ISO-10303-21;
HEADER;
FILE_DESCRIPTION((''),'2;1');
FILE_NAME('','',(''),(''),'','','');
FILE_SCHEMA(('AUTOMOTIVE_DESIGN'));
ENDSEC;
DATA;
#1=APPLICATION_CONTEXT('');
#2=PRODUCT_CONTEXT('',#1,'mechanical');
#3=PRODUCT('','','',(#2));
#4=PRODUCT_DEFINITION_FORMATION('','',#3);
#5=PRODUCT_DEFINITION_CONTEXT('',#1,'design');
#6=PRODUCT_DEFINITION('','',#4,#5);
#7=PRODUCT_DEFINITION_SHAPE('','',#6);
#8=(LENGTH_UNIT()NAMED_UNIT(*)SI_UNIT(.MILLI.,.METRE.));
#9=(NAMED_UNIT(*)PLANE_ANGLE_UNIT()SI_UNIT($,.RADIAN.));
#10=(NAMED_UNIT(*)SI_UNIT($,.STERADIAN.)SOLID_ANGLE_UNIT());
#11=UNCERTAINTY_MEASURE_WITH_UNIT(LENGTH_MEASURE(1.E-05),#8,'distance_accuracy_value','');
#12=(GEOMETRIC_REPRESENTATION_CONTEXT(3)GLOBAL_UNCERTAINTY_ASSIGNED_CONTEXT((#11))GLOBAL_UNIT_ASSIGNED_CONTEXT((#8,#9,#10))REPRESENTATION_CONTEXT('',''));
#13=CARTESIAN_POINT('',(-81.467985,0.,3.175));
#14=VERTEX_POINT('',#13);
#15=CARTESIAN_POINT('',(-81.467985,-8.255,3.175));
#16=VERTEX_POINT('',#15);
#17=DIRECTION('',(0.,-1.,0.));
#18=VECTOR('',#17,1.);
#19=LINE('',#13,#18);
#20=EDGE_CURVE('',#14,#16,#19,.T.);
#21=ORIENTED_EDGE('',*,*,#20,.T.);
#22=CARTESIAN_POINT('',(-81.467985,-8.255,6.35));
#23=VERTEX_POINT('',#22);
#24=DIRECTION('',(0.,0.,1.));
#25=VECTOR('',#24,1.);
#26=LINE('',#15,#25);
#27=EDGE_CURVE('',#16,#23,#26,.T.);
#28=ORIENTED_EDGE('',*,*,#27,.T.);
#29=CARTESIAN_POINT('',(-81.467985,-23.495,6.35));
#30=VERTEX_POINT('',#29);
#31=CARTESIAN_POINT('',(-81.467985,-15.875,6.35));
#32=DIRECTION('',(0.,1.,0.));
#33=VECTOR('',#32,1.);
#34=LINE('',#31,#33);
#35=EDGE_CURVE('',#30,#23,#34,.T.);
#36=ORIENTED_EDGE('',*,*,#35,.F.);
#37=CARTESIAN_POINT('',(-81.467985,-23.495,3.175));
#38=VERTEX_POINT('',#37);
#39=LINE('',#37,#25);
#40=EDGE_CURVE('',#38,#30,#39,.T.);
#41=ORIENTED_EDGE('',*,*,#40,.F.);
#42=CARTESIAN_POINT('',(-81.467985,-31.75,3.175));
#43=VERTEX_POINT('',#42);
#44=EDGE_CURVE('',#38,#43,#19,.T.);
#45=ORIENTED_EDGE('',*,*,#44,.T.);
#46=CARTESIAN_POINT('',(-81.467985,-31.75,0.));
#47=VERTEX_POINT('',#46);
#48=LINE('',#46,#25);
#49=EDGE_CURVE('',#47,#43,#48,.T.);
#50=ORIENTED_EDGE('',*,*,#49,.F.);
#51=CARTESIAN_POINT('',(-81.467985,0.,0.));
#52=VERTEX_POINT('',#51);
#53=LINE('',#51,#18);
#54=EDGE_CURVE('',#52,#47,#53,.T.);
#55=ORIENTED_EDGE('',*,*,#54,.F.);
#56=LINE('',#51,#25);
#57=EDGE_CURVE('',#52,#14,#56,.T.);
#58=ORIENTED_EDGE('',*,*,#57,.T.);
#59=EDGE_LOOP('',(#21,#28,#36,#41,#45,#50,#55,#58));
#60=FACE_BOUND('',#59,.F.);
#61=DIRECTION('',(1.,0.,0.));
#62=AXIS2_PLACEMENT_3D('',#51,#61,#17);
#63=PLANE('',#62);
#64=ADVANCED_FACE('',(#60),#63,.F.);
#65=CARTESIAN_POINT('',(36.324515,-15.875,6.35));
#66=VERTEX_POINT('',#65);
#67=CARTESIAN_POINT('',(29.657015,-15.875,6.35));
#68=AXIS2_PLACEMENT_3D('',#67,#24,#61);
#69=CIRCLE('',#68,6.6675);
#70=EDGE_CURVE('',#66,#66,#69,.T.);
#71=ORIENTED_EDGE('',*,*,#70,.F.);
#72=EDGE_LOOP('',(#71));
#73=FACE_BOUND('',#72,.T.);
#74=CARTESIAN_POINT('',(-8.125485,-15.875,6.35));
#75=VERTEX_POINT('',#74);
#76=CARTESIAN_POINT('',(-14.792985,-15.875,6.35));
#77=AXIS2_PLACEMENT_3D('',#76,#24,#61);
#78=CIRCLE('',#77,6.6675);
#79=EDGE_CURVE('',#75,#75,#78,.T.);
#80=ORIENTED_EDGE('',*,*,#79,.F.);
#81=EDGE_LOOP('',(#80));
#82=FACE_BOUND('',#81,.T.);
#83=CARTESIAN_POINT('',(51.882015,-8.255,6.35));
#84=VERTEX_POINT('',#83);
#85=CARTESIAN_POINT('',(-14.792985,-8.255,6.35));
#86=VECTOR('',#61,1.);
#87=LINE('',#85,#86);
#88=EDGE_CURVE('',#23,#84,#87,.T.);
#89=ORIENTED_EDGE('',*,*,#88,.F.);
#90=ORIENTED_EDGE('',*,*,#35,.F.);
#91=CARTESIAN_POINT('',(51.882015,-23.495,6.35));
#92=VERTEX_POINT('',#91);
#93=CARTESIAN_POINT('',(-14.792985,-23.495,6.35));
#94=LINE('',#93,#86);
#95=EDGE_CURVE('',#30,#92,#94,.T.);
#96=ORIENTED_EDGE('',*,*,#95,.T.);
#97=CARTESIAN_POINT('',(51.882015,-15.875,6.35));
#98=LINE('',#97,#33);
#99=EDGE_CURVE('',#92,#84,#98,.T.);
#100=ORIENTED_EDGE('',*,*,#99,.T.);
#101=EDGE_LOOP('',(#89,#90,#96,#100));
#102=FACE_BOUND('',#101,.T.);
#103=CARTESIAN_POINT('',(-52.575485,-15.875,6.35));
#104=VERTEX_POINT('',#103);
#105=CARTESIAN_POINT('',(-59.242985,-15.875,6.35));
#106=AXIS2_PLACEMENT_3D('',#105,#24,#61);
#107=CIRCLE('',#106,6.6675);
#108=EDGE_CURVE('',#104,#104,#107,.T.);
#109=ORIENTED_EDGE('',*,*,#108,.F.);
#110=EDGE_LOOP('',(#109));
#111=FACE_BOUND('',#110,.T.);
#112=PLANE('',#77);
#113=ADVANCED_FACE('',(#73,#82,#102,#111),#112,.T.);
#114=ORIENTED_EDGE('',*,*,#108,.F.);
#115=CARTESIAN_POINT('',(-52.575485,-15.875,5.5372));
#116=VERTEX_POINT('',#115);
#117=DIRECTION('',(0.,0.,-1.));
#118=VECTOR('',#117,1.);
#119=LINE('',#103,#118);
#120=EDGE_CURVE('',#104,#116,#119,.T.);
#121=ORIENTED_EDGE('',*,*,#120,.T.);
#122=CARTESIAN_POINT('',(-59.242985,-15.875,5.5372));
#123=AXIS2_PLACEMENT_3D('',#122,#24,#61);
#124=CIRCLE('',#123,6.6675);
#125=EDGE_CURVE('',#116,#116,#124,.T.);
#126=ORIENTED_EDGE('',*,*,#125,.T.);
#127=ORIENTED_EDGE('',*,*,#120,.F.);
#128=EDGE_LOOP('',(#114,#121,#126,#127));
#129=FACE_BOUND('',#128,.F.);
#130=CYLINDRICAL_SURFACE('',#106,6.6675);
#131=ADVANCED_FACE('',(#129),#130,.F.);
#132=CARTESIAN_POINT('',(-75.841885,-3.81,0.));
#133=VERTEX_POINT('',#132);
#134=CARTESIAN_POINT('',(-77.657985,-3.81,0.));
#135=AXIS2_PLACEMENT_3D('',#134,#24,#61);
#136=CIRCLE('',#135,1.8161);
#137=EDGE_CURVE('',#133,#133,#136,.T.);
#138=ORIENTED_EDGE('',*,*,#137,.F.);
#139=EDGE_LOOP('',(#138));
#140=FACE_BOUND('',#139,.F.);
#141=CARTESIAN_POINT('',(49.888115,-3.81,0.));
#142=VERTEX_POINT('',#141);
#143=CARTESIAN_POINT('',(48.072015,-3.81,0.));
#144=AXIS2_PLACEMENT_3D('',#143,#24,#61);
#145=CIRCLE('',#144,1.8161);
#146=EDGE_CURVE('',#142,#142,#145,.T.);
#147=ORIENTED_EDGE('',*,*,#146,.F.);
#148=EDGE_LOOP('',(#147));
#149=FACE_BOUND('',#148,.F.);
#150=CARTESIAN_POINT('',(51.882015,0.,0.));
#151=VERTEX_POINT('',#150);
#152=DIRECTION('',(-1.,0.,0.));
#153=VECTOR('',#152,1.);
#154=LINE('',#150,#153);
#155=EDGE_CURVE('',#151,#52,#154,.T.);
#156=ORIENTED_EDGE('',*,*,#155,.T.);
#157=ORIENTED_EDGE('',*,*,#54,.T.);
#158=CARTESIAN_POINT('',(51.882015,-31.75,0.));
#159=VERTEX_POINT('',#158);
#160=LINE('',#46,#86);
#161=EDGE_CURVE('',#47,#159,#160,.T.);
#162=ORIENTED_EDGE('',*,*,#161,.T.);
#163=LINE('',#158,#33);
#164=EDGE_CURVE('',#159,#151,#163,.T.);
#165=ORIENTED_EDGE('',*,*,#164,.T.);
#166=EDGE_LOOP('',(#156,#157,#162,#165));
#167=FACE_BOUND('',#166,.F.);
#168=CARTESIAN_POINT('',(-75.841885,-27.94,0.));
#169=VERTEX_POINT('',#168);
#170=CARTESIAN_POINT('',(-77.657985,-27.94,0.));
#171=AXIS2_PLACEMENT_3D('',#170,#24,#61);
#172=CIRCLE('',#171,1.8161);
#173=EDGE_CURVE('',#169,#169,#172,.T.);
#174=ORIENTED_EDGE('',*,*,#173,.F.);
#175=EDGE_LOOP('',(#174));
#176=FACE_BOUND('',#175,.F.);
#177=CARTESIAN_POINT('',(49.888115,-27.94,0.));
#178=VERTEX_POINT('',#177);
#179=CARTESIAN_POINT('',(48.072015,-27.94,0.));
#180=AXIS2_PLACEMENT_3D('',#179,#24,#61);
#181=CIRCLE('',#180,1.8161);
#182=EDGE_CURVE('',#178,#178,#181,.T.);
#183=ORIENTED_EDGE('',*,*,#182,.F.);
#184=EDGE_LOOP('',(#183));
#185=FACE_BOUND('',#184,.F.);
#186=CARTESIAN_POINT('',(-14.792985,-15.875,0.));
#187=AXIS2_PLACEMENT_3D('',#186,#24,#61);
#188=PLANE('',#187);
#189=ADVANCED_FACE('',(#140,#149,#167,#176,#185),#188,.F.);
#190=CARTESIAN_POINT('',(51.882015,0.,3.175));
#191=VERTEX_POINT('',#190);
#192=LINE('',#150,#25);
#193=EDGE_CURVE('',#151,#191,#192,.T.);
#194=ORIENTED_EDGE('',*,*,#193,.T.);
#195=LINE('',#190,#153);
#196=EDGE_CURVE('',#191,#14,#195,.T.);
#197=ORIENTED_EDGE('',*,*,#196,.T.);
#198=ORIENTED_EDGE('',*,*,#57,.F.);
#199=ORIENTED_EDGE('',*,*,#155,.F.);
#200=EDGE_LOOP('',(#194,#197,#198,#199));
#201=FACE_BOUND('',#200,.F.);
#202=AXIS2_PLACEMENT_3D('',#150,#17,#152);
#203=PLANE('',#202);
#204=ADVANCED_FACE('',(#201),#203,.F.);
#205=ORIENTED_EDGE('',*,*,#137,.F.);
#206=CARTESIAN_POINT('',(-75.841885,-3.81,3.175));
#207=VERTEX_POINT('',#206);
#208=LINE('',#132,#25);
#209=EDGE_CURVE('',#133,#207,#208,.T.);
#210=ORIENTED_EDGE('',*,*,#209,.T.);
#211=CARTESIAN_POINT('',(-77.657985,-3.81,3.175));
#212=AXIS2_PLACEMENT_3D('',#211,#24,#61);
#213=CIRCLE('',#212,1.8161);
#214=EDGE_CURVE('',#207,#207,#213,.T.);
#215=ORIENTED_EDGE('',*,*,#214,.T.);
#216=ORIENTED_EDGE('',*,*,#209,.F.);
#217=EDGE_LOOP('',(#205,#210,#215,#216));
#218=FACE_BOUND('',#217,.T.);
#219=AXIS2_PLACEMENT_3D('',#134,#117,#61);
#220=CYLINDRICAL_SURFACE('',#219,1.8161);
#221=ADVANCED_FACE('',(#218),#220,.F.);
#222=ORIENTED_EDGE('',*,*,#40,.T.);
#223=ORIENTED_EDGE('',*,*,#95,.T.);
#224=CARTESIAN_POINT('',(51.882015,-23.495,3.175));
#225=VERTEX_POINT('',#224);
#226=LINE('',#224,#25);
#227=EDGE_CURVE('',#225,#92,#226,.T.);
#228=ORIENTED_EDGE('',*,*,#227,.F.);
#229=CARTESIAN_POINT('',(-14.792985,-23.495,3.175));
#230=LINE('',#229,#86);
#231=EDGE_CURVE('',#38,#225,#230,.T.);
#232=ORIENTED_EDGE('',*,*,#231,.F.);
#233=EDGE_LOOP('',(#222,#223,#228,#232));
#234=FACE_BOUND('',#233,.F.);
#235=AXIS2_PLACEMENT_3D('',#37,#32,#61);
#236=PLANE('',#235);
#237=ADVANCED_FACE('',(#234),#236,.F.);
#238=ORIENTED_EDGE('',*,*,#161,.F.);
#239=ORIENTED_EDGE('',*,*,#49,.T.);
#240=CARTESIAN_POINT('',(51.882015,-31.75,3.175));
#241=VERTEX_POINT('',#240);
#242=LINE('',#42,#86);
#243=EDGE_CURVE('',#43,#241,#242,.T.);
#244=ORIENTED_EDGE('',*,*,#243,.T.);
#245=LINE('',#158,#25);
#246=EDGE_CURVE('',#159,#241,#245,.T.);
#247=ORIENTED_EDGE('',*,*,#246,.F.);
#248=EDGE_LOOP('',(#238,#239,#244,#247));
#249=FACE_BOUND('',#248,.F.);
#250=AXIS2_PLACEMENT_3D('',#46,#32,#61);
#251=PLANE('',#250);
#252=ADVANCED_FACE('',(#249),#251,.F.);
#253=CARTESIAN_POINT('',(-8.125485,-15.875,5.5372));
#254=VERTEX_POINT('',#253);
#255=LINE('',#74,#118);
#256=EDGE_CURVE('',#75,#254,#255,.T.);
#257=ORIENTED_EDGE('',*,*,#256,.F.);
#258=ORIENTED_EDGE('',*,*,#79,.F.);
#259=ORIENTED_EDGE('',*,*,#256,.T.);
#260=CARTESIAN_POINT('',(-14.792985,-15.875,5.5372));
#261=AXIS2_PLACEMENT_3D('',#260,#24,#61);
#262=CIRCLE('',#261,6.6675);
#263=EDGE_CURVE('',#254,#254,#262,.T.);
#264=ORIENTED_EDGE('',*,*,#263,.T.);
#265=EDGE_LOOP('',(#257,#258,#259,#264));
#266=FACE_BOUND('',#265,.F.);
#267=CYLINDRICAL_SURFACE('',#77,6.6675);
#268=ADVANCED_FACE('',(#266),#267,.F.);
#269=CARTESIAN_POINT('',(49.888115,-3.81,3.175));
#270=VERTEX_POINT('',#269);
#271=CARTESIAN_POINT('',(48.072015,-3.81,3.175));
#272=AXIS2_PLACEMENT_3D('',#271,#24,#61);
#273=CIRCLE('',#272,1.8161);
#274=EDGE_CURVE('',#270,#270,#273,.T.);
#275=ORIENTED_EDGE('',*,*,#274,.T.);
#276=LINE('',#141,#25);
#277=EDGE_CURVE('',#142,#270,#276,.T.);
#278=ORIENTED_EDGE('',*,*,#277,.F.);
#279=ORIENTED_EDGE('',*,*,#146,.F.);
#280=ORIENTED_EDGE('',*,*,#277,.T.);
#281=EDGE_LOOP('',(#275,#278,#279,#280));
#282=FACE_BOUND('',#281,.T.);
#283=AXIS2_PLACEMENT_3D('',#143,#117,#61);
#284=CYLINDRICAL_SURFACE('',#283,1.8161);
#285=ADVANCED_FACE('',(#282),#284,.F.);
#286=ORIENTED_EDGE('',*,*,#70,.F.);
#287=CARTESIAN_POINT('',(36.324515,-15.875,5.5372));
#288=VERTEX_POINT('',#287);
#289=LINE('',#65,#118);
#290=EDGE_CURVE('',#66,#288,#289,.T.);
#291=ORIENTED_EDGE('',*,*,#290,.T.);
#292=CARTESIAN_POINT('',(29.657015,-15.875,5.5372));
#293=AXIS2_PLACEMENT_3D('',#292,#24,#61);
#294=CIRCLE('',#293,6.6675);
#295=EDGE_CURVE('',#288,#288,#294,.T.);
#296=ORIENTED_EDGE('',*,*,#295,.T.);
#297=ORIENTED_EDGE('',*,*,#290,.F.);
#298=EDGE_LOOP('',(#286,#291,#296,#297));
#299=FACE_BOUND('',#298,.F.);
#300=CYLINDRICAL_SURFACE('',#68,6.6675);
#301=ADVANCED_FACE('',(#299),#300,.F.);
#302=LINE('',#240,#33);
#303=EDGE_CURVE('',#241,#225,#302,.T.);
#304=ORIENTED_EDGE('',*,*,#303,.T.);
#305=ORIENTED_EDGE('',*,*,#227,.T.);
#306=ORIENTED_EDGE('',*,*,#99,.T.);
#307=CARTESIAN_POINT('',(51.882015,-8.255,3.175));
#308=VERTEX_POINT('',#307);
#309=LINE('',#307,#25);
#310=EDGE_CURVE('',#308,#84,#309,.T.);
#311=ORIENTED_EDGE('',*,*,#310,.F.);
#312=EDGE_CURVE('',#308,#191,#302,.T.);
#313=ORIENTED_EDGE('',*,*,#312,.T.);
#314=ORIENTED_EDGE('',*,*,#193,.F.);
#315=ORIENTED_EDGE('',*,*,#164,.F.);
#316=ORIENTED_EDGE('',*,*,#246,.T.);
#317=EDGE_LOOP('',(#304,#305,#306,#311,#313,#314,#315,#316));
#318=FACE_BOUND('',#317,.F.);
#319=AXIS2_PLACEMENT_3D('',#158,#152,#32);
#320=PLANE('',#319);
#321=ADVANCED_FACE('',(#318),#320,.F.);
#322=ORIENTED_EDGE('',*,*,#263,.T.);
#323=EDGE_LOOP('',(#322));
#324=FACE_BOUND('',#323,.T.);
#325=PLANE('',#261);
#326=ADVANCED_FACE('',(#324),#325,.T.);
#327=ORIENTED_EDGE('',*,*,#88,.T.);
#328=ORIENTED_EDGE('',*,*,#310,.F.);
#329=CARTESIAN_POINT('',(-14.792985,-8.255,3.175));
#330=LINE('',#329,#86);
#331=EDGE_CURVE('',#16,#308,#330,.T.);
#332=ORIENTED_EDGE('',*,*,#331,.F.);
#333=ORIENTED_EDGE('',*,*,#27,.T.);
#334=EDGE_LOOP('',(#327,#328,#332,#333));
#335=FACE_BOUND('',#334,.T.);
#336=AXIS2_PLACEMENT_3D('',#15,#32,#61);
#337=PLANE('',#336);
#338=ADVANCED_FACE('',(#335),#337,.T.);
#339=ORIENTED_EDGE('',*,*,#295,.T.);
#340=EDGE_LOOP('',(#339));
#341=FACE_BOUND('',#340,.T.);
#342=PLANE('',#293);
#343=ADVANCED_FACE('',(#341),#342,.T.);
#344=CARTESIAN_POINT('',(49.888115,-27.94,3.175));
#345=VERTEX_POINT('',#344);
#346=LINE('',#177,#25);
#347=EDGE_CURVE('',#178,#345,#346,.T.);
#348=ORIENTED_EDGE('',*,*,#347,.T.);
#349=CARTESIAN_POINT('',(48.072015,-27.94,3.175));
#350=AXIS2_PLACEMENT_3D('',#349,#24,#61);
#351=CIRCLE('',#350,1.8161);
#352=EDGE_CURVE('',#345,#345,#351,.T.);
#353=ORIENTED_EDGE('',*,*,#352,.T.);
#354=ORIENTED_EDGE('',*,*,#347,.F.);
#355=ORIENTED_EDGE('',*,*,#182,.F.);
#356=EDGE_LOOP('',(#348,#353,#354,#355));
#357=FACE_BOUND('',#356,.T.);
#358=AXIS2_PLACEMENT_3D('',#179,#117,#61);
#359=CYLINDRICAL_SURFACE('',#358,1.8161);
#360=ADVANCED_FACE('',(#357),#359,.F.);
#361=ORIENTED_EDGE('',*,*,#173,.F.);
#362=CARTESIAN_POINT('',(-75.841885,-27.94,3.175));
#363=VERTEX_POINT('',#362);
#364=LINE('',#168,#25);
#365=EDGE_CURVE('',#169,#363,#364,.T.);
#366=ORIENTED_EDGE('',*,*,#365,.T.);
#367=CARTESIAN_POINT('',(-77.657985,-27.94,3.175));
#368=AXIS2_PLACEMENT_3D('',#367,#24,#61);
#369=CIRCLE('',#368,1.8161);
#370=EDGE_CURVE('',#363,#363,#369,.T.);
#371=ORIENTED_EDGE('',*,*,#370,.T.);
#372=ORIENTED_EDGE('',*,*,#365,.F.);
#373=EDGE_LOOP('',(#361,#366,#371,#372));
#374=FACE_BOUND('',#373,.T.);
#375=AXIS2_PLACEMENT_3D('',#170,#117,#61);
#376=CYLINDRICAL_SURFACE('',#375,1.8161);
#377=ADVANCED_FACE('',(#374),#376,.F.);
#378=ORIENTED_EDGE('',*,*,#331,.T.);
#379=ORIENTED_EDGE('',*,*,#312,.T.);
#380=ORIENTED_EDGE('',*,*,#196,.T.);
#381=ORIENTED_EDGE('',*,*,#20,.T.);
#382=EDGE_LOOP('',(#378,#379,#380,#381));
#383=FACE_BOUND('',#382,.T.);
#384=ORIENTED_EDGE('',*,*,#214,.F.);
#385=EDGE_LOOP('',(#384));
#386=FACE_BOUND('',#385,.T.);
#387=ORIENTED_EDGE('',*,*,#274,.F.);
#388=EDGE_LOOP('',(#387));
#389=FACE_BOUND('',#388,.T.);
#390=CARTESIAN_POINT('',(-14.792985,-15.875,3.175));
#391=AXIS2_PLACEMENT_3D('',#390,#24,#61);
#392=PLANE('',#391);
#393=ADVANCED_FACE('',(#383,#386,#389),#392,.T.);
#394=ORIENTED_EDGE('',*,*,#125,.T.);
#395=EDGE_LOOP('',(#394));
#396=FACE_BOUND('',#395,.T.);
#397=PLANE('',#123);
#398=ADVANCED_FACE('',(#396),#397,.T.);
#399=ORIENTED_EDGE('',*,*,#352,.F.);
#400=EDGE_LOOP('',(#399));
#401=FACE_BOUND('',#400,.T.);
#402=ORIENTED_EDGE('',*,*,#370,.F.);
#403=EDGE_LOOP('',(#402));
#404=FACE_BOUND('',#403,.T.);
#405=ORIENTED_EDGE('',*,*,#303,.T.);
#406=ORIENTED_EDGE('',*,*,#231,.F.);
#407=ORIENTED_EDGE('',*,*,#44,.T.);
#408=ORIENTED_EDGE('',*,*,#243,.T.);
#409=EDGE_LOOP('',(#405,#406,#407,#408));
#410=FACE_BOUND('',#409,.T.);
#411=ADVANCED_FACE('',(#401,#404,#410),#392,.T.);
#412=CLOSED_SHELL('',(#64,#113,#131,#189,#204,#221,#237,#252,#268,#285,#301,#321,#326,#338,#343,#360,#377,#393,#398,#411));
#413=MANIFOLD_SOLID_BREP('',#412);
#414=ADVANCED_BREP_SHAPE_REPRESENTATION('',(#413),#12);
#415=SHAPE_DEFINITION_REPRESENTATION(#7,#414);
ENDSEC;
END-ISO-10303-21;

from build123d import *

# Parameters (mm, degrees)
F0_R     = 1.8161
F1_DEPTH = 3.175
F2_W     = 133.35
F2_H     = 15.24
F3_DEPTH = 3.175
F4_R     = 6.6675
F5_DEPTH = 0.8128


with BuildPart() as f1:
    # F0 (on Top) → F1 (new body)
    with BuildSketch(Plane.XY):
        Polygon((51.882015, -8.216515), (51.882015, 0), (-81.467985, 0), (-81.467985, -8.216515), (-81.467985, -24.110759), (-81.467985, -31.75), (51.882015, -31.75), (51.882015, -24.110759), align=None)
        with Locations((-77.657985, -27.94)):
            Circle(F0_R, mode=Mode.SUBTRACT)
        with Locations((48.072015, -27.94)):
            Circle(F0_R, mode=Mode.SUBTRACT)
        with Locations((-77.657985, -3.81)):
            Circle(F0_R, mode=Mode.SUBTRACT)
        with Locations((48.072015, -3.81)):
            Circle(F0_R, mode=Mode.SUBTRACT)
    extrude(amount=F1_DEPTH)

    # F2 (on face) → F3 (join)
    with BuildSketch(Plane.XY.offset(3.175)):
        with Locations((-14.792985, -15.875)):
            Rectangle(F2_W, F2_H)
    extrude(amount=F3_DEPTH)

    # F4 (on face) → F5 (cut)
    with BuildSketch(Plane.XY.offset(6.35)):
        with Locations((-59.242985, -15.875)):
            Circle(F4_R)
        with Locations((-14.792985, -15.875)):
            Circle(F4_R)
        with Locations((29.657015, -15.875)):
            Circle(F4_R)
    extrude(amount=-F5_DEPTH, mode=Mode.SUBTRACT)


solid = f1.part
